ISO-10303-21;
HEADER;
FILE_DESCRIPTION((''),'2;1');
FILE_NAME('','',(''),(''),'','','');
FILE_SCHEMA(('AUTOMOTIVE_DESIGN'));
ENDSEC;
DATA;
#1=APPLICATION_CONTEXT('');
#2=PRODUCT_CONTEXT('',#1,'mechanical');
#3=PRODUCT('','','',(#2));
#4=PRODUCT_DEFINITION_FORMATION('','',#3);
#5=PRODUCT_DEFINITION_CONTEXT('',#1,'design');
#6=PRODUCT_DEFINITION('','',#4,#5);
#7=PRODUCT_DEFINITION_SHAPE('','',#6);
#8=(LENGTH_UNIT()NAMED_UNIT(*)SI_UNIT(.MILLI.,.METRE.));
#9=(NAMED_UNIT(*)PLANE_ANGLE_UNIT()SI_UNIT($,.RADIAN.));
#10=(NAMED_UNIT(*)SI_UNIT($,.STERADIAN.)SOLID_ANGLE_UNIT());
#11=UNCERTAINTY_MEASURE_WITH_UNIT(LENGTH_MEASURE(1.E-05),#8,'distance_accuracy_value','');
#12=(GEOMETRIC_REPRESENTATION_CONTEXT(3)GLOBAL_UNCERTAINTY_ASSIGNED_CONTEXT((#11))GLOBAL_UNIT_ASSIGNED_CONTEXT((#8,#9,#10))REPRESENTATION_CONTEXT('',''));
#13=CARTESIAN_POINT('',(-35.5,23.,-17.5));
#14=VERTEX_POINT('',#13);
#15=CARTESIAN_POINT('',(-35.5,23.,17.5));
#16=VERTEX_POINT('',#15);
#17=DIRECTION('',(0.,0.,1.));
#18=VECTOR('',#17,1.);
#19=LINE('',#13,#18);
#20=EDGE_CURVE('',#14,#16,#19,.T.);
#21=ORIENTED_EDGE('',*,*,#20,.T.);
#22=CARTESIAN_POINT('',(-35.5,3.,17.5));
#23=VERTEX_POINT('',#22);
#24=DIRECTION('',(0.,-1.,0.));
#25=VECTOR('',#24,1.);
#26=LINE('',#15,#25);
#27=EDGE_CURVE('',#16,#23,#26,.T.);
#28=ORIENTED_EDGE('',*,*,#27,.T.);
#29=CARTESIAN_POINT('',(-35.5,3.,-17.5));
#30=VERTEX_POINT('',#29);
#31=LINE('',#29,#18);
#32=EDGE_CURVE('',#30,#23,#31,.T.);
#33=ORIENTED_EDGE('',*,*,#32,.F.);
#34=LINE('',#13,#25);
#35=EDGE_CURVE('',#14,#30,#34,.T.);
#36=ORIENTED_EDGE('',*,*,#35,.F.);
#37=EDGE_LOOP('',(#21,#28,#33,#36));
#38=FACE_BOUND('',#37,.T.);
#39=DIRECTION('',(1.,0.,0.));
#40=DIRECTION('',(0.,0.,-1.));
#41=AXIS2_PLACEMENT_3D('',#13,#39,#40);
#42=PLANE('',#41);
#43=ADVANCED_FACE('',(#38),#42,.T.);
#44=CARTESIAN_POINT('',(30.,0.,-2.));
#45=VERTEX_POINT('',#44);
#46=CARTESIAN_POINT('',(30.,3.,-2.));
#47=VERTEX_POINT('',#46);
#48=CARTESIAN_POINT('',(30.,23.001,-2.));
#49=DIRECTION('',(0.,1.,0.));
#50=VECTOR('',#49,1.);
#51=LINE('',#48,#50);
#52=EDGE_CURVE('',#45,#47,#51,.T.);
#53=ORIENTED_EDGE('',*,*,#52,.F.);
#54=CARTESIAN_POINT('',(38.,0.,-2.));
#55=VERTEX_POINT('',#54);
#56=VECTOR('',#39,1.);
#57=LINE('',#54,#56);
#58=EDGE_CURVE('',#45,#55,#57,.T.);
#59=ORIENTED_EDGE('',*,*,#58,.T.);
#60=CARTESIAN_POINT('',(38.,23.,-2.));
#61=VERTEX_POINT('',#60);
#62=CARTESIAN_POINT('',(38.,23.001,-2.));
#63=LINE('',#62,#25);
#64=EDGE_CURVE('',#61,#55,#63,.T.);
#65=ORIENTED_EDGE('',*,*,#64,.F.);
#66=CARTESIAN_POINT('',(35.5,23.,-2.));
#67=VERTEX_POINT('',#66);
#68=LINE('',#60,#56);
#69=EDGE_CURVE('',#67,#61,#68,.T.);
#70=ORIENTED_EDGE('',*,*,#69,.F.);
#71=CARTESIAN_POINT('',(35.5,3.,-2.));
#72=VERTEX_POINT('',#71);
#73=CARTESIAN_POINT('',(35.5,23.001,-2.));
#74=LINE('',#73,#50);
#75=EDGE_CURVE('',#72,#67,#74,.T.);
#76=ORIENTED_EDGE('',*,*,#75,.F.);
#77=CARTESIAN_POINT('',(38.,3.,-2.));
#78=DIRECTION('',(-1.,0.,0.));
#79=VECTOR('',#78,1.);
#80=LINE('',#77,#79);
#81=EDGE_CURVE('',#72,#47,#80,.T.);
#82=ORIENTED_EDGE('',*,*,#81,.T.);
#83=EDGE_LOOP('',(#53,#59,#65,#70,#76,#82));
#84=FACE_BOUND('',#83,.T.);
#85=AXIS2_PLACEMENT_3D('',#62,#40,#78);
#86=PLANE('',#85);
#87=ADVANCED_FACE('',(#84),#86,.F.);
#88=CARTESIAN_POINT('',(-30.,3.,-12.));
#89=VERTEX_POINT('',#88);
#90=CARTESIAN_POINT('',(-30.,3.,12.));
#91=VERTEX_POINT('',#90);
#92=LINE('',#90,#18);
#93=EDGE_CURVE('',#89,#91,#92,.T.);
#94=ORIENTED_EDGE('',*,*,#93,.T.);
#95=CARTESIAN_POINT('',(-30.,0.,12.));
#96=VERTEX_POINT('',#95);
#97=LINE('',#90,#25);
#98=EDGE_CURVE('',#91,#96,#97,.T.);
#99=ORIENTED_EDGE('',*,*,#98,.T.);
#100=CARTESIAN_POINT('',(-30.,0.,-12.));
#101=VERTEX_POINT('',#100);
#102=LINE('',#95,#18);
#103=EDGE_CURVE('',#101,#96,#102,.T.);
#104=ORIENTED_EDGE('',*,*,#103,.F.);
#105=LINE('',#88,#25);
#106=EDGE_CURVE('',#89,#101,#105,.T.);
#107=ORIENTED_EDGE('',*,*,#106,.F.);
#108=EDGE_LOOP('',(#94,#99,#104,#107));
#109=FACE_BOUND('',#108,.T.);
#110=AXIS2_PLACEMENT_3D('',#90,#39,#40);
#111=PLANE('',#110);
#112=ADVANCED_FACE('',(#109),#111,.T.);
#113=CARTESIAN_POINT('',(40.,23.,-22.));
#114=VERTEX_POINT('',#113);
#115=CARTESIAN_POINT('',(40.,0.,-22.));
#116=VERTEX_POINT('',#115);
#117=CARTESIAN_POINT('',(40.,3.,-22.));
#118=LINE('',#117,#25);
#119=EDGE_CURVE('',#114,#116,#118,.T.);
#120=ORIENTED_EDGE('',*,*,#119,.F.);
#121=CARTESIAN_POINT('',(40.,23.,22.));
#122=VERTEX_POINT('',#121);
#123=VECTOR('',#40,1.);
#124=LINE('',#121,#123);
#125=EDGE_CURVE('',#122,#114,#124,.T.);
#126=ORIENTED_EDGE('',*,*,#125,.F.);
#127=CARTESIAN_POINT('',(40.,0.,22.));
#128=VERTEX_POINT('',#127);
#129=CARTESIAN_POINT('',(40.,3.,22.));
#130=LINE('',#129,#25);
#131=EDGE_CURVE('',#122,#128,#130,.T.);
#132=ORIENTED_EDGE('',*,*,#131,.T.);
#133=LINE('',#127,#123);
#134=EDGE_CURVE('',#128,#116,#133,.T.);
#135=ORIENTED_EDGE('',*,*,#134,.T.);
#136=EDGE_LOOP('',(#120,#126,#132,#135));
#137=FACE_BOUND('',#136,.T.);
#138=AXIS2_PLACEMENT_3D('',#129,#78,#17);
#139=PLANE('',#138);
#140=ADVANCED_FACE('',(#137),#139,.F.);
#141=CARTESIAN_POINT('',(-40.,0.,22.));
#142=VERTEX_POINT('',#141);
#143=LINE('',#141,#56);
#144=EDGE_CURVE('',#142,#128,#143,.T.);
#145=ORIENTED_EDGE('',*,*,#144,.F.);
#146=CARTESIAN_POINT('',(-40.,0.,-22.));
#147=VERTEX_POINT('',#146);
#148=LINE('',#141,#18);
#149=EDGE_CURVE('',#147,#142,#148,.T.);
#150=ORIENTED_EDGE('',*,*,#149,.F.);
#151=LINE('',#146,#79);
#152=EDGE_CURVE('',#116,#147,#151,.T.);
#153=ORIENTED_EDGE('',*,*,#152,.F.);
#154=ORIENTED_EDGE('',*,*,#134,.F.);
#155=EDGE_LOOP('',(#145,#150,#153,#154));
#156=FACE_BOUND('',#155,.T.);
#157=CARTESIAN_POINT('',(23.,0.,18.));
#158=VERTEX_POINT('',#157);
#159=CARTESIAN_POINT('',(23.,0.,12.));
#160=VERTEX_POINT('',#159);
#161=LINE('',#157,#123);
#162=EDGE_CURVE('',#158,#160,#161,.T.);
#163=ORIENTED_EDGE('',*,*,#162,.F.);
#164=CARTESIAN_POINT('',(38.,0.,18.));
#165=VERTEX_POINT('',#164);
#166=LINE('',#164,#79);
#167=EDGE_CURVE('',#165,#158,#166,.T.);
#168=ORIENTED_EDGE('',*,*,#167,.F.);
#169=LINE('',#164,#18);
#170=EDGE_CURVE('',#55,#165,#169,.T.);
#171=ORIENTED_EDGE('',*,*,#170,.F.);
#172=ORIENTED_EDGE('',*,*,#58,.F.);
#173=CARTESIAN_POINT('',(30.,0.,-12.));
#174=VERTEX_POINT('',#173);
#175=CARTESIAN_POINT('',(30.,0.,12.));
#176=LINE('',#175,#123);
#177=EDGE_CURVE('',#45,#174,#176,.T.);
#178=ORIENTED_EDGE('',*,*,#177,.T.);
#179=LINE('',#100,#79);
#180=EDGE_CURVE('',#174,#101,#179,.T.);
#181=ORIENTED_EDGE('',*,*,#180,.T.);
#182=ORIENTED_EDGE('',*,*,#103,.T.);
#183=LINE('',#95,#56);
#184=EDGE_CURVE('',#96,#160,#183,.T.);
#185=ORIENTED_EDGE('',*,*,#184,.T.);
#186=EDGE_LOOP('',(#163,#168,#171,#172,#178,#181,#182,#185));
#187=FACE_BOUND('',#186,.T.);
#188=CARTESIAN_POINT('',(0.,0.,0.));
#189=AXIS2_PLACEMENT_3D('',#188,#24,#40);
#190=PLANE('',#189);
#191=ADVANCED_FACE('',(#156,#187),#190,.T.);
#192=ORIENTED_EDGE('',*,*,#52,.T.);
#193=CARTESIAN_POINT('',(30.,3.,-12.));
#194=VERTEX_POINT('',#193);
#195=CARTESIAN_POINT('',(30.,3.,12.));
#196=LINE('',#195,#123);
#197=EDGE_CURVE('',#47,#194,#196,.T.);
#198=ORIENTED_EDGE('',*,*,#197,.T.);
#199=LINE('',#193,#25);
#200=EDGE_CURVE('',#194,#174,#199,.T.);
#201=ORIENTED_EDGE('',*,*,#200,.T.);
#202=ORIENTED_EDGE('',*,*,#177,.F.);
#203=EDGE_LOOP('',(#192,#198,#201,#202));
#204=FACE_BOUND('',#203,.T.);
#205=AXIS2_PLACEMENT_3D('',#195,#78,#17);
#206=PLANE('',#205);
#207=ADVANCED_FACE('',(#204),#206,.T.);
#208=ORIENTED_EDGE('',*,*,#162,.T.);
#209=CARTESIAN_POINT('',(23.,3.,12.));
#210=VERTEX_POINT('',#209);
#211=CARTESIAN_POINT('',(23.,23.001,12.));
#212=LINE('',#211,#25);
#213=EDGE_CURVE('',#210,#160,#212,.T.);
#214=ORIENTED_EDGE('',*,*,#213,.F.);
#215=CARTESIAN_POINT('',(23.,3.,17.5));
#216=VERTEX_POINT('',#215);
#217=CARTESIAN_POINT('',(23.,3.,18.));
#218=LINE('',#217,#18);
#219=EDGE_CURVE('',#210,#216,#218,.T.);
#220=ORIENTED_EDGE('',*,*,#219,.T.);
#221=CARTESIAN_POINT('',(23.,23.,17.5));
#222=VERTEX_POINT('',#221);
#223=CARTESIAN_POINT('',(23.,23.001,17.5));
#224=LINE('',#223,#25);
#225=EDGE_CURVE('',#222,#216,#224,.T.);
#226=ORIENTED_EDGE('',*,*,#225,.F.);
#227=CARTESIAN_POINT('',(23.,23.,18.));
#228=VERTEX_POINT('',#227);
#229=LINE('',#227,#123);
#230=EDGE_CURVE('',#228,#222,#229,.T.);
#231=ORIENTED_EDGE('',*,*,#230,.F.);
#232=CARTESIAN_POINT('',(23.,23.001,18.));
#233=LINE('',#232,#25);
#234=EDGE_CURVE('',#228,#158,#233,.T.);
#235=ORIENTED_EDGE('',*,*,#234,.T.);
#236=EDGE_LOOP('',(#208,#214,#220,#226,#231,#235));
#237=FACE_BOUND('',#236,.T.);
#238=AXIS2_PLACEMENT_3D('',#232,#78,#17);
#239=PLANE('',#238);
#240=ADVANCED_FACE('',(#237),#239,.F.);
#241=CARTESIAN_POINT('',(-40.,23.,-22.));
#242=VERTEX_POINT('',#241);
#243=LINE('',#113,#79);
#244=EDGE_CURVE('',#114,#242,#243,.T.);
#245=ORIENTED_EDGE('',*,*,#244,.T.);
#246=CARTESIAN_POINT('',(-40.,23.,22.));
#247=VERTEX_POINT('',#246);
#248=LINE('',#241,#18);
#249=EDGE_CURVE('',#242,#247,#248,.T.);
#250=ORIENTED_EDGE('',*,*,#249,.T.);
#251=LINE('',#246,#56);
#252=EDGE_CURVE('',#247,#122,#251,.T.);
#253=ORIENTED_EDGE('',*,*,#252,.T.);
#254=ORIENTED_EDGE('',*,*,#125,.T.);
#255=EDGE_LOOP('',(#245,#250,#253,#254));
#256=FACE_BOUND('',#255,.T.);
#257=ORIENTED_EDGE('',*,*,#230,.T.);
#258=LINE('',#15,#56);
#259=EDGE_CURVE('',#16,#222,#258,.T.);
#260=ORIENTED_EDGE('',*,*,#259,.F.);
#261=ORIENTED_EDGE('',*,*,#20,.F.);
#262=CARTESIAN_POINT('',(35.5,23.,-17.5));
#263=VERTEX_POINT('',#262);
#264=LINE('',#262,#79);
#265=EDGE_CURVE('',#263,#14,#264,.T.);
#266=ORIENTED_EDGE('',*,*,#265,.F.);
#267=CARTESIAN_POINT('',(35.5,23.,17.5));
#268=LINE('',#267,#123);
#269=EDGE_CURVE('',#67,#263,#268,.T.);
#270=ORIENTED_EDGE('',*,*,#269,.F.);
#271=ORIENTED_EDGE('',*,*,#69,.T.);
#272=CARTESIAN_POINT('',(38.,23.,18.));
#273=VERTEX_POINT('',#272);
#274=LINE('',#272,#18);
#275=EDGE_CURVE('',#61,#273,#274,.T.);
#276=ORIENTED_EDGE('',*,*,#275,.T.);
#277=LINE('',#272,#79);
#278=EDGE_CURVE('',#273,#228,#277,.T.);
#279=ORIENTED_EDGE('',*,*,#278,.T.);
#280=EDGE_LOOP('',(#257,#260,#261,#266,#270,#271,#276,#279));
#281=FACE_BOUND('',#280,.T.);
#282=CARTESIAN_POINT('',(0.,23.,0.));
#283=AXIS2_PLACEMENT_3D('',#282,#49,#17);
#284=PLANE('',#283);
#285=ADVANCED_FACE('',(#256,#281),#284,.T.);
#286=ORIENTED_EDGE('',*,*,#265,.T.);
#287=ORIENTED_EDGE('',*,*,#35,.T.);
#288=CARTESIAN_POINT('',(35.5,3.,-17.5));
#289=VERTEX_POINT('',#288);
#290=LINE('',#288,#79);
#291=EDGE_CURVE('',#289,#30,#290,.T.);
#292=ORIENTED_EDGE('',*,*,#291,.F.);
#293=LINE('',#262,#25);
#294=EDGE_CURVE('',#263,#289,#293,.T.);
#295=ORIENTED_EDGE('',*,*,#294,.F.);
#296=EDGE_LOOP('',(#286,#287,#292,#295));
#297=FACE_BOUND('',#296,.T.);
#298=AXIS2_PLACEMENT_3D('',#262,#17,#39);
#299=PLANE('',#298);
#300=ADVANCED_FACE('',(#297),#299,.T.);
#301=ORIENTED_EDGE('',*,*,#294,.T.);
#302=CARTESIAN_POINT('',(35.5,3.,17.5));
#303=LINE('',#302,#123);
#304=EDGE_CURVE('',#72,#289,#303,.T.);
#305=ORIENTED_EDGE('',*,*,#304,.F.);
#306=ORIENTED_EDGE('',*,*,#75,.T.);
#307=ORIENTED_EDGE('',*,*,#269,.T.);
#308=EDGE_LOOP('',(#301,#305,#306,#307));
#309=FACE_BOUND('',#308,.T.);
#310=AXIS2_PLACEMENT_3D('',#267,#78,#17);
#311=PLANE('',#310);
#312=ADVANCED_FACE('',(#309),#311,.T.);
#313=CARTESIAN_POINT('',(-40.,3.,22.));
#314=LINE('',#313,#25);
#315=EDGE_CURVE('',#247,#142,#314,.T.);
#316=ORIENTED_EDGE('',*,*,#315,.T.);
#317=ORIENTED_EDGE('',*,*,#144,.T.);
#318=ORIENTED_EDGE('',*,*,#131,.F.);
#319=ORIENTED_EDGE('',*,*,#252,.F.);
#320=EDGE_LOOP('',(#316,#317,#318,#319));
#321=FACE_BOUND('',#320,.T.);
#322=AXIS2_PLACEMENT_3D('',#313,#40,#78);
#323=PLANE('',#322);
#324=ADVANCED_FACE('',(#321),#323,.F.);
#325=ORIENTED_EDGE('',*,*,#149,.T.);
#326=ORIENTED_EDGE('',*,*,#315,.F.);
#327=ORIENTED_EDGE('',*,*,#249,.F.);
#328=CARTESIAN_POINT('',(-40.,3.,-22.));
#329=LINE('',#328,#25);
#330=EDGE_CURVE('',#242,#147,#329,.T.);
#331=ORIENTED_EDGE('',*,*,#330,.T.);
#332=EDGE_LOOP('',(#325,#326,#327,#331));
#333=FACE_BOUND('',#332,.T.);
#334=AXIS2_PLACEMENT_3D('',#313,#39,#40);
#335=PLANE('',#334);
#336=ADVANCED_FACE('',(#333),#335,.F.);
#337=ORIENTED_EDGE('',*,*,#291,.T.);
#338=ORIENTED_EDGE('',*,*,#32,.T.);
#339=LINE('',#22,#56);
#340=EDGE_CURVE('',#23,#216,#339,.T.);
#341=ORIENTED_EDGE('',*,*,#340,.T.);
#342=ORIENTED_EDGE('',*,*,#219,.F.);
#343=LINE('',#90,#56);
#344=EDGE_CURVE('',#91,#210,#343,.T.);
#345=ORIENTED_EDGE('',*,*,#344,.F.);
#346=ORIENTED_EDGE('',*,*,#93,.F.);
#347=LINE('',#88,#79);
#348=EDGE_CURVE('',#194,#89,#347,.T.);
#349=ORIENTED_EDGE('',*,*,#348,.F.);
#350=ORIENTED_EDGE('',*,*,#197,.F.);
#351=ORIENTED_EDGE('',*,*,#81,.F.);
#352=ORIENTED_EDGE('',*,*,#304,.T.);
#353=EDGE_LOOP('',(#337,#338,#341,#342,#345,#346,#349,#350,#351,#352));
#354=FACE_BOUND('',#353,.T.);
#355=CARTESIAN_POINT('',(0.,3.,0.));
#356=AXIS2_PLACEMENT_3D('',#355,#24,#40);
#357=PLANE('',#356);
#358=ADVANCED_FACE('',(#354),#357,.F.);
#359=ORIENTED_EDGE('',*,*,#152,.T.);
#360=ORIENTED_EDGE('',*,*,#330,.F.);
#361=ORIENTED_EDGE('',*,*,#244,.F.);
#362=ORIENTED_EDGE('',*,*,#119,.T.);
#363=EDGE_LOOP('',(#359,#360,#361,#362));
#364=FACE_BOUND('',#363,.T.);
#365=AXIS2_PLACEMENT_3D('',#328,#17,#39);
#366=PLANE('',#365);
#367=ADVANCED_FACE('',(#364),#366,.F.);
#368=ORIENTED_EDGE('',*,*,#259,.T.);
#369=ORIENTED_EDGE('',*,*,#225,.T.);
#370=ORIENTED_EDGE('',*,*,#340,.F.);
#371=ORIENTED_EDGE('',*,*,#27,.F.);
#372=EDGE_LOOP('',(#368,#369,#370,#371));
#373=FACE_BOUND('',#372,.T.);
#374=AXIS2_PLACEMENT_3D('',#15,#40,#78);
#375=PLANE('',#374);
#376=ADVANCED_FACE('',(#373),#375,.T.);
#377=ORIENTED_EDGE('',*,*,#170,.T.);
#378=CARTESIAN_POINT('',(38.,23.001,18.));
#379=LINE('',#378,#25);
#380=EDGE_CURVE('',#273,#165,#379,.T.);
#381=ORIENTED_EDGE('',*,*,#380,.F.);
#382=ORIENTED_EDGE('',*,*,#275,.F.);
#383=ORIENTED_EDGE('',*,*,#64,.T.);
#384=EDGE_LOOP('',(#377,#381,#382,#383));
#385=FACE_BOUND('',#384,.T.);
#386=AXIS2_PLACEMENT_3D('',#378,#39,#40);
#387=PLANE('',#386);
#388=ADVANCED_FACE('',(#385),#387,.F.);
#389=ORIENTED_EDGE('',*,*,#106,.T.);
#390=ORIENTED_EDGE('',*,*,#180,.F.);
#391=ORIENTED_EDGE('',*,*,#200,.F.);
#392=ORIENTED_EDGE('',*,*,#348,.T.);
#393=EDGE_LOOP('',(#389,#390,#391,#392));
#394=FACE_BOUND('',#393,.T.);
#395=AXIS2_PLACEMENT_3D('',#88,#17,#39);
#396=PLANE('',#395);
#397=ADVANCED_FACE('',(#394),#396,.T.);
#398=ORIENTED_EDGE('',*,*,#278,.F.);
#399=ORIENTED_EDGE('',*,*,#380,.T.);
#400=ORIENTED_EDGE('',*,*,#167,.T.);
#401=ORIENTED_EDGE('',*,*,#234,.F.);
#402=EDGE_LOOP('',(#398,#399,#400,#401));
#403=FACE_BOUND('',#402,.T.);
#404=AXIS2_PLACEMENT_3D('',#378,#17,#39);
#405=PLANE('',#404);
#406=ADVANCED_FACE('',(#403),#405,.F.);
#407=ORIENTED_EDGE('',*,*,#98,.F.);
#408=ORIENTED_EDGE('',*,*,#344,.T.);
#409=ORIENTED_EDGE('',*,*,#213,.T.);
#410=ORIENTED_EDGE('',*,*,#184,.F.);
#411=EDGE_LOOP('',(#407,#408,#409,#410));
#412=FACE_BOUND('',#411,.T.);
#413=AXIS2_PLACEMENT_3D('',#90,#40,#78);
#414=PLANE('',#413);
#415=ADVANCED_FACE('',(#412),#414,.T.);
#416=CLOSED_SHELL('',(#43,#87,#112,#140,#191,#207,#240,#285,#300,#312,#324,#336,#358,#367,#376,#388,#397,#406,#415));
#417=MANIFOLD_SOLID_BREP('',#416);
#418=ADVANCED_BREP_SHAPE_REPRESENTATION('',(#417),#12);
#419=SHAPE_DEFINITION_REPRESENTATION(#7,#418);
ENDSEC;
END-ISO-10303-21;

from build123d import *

# Parameters (mm, degrees)
SKETCH1_W           = 80
SKETCH1_H           = 44
SKETCH1_W_2         = 60
SKETCH1_H_2         = 24
BOSS_EXTRUDE1_DEPTH = 3
SKETCH2_W           = 80
SKETCH2_H           = 44
SKETCH2_W_2         = 71
SKETCH2_H_2         = 35
BOSS_EXTRUDE2_DEPTH = 20
CUT_EXTRUDE1_REACH  = 53.118
SKETCH3_W           = 15
SKETCH3_H           = 20


with BuildPart() as part:
    # Sketch1 → Boss-Extrude1 (new body)
    with BuildSketch(Plane(origin=(0, 0, 0), x_dir=(1, 0, 0), z_dir=(0, 1, 0))):
        Rectangle(SKETCH1_W, SKETCH1_H)
        Rectangle(SKETCH1_W_2, SKETCH1_H_2, mode=Mode.SUBTRACT)
    extrude(amount=BOSS_EXTRUDE1_DEPTH)

    # Sketch2 → Boss-Extrude2 (add)
    with BuildSketch(Plane(origin=(0, 3, 0), x_dir=(1, 0, 0), z_dir=(0, 1, 0))):
        Rectangle(SKETCH2_W, SKETCH2_H)
        Rectangle(SKETCH2_W_2, SKETCH2_H_2, mode=Mode.SUBTRACT)
    extrude(amount=BOSS_EXTRUDE2_DEPTH)

    # Sketch3 → Cut-Extrude1 (cut, up to next)
    with BuildSketch(Plane(origin=(0, 0, 0), x_dir=(-1, 0, 0), z_dir=(0, -1, 0)), mode=Mode.PRIVATE) as cut_extrude1_sk1:
        with Locations((-30.5, -8)):
            Rectangle(SKETCH3_W, SKETCH3_H)
    cut_extrude1_tool1 = extrude(cut_extrude1_sk1.sketch, amount=-CUT_EXTRUDE1_REACH, mode=Mode.PRIVATE) & part.part
    add(cut_extrude1_tool1.solids().sort_by_distance((30.5, 0, 8))[0], mode=Mode.SUBTRACT)


solid = part.part
